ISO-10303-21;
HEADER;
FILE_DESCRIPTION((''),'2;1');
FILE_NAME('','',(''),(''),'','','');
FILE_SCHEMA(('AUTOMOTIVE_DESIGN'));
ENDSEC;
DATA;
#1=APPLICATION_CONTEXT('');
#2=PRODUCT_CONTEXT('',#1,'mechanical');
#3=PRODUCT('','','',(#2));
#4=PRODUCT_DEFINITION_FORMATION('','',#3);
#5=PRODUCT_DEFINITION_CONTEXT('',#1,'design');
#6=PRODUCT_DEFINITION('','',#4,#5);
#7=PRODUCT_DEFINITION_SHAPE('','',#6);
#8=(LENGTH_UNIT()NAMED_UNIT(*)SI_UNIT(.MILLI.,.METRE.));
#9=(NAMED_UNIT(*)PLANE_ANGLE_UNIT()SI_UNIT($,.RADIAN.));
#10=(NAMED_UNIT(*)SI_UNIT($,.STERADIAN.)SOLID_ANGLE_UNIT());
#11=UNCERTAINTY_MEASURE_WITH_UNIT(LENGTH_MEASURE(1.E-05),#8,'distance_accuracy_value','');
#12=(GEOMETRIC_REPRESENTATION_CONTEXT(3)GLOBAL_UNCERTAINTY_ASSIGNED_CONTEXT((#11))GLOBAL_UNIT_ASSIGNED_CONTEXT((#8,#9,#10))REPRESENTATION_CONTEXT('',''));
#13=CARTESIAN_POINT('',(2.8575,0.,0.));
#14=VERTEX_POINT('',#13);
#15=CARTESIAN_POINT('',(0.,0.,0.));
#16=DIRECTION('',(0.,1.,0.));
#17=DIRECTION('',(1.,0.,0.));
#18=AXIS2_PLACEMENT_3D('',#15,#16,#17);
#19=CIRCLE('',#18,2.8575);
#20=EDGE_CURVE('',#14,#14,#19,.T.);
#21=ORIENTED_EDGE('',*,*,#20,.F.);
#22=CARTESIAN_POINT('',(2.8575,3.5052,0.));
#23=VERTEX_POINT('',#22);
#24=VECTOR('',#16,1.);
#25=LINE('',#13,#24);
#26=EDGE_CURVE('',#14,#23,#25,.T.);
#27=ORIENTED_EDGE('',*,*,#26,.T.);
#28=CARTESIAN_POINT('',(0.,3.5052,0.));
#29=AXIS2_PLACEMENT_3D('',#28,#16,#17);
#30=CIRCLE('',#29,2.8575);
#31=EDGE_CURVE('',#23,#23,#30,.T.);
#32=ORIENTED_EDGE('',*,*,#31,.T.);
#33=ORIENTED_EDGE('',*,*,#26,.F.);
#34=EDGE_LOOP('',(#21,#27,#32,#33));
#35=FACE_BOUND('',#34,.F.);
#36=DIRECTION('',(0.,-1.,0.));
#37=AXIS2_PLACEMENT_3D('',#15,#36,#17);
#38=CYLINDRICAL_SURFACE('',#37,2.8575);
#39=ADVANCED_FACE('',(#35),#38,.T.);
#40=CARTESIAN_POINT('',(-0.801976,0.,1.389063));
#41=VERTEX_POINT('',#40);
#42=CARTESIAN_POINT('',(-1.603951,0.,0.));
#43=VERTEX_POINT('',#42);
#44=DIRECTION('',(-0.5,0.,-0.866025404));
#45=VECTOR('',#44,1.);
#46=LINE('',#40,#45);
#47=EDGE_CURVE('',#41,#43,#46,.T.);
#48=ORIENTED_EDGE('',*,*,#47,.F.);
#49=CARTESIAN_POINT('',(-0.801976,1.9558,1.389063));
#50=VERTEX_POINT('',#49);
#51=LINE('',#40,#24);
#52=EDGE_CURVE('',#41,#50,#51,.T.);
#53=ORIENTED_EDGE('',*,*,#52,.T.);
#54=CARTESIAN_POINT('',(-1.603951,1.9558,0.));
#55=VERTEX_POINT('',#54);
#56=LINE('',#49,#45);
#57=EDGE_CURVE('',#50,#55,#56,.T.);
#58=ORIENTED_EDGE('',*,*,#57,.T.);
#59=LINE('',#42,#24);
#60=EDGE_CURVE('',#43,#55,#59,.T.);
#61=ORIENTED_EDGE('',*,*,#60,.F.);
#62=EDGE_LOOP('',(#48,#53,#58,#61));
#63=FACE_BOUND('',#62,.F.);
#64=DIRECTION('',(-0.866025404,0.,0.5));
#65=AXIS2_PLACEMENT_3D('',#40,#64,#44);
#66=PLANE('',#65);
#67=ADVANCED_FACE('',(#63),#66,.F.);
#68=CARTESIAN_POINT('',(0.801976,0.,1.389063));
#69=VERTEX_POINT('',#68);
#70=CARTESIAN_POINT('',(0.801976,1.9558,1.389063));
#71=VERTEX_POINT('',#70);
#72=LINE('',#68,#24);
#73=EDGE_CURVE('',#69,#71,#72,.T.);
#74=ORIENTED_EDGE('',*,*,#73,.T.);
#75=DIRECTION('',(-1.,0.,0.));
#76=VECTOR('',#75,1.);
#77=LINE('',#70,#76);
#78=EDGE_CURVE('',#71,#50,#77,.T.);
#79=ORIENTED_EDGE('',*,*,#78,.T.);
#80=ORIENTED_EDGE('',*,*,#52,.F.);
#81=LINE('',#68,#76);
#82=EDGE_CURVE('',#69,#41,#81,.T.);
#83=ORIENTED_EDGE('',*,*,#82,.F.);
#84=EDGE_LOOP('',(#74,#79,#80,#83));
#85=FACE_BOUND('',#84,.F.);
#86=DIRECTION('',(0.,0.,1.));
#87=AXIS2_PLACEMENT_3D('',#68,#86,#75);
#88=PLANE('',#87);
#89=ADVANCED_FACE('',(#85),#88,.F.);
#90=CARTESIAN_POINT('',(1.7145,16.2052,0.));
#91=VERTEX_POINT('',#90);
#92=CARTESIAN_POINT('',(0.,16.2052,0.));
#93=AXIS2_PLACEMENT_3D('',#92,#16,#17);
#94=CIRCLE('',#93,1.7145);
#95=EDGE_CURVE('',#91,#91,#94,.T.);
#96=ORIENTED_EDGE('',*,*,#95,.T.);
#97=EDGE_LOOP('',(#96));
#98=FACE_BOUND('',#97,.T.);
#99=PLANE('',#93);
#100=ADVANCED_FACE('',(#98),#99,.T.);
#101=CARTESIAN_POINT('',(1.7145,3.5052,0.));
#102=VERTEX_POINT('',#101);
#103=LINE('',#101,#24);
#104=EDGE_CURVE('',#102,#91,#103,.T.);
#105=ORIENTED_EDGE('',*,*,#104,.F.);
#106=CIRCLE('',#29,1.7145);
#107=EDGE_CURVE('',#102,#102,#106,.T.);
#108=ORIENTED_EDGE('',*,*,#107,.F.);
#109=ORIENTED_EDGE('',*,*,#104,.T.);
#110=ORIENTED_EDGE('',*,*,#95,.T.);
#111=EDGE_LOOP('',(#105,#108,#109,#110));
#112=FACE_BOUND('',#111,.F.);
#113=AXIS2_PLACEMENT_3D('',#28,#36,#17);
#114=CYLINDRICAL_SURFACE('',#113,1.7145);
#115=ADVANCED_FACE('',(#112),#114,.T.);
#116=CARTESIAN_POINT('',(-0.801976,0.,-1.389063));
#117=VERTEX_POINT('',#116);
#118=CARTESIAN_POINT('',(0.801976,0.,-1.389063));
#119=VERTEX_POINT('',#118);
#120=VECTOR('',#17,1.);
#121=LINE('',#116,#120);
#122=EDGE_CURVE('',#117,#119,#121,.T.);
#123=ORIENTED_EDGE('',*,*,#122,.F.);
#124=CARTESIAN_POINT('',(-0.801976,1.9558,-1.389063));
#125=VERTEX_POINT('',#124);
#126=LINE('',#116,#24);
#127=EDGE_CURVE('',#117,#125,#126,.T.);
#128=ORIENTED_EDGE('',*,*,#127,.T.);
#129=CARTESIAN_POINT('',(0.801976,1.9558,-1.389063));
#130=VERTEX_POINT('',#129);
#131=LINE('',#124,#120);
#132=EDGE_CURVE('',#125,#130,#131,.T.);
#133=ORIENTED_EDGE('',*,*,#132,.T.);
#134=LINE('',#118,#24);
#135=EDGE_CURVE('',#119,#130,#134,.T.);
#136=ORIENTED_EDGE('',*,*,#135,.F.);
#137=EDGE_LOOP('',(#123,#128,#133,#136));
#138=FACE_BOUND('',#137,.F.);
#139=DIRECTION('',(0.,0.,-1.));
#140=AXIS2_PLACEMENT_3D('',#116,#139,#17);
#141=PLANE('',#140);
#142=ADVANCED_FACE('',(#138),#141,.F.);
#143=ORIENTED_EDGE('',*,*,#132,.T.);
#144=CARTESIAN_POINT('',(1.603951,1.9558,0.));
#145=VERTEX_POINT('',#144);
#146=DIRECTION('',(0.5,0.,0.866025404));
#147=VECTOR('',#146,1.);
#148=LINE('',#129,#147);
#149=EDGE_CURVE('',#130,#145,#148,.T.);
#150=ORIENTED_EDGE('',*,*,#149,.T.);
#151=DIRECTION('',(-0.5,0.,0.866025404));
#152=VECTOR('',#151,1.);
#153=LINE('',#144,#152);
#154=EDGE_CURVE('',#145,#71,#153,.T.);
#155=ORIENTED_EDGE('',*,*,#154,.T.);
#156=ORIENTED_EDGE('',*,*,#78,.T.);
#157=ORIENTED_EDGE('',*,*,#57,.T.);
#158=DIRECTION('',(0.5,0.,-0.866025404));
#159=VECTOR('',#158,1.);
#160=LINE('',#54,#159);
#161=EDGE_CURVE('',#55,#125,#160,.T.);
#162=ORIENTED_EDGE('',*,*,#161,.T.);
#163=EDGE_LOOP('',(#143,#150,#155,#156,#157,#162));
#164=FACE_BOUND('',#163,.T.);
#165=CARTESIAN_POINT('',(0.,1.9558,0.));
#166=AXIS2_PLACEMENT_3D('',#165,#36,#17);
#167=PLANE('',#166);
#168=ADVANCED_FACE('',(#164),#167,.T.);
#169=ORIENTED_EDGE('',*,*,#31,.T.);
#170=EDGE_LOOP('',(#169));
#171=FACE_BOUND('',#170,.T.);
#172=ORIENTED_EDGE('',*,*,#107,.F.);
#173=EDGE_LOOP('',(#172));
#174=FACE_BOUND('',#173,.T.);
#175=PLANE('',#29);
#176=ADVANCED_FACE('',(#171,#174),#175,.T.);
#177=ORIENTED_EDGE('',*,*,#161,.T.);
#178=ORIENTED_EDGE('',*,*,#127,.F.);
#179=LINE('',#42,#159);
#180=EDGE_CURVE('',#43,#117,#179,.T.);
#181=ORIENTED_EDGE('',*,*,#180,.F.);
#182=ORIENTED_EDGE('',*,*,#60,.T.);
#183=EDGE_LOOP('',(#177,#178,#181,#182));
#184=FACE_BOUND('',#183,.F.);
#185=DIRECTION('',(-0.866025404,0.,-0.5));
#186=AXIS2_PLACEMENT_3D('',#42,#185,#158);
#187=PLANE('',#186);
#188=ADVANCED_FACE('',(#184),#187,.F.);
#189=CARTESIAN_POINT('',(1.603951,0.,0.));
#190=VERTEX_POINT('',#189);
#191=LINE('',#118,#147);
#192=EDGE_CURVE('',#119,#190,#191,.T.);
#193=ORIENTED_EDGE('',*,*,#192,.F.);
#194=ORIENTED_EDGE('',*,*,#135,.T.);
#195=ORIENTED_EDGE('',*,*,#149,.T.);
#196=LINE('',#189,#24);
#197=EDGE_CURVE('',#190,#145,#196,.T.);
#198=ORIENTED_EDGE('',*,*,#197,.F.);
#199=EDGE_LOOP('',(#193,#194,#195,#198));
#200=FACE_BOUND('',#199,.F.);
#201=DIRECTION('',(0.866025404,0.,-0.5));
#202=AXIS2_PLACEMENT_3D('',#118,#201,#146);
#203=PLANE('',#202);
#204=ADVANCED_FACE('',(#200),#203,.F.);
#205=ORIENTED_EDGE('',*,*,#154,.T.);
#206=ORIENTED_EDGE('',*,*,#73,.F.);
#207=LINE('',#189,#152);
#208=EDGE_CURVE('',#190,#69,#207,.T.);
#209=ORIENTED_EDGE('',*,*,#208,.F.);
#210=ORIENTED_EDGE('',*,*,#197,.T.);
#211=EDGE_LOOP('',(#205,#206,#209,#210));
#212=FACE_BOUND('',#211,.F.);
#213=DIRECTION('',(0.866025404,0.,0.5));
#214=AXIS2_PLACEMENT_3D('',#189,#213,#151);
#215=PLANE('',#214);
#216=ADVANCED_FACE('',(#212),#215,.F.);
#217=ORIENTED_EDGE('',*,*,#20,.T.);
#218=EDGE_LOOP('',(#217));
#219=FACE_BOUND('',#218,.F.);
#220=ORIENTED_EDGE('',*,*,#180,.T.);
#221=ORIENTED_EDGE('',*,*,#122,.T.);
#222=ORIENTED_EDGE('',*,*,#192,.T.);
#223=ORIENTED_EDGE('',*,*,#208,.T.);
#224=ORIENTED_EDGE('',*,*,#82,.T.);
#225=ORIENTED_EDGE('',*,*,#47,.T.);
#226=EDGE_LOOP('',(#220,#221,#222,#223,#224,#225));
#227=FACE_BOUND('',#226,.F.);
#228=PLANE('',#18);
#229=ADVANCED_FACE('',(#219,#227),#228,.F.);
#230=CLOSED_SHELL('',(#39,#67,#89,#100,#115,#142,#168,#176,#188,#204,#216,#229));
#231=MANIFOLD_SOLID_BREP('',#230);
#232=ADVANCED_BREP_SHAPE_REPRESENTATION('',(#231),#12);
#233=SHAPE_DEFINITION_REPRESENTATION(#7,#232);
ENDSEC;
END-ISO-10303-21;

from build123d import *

# Parameters (mm, degrees)
SKETCH1_R           = 2.8575
BOSS_EXTRUDE1_DEPTH = 3.5052
CUT_EXTRUDE1_DEPTH  = 1.9558
SKETCH3_R           = 1.7145
BOSS_EXTRUDE2_DEPTH = 12.7


with BuildPart() as part:
    # Sketch1 → Boss-Extrude1 (new body)
    with BuildSketch(Plane(origin=(0, 0, 0), x_dir=(1, 0, 0), z_dir=(0, 1, 0))):
        Circle(SKETCH1_R)
    extrude(amount=BOSS_EXTRUDE1_DEPTH)

    # Sketch2 → Cut-Extrude1 (cut)
    with BuildSketch(Plane.XZ):
        Polygon((1.603951217, 0), (0.801975608, 1.3890625), (-0.801975608, 1.3890625), (-1.603951217, 0), (-0.801975608, -1.3890625), (0.801975608, -1.3890625), align=None)
    extrude(amount=-CUT_EXTRUDE1_DEPTH, mode=Mode.SUBTRACT)

    # Sketch3 → Boss-Extrude2 (add)
    with BuildSketch(Plane(origin=(0, 3.5052, 0), x_dir=(1, 0, 0), z_dir=(0, 1, 0))):
        Circle(SKETCH3_R)
    extrude(amount=BOSS_EXTRUDE2_DEPTH)


solid = part.part
